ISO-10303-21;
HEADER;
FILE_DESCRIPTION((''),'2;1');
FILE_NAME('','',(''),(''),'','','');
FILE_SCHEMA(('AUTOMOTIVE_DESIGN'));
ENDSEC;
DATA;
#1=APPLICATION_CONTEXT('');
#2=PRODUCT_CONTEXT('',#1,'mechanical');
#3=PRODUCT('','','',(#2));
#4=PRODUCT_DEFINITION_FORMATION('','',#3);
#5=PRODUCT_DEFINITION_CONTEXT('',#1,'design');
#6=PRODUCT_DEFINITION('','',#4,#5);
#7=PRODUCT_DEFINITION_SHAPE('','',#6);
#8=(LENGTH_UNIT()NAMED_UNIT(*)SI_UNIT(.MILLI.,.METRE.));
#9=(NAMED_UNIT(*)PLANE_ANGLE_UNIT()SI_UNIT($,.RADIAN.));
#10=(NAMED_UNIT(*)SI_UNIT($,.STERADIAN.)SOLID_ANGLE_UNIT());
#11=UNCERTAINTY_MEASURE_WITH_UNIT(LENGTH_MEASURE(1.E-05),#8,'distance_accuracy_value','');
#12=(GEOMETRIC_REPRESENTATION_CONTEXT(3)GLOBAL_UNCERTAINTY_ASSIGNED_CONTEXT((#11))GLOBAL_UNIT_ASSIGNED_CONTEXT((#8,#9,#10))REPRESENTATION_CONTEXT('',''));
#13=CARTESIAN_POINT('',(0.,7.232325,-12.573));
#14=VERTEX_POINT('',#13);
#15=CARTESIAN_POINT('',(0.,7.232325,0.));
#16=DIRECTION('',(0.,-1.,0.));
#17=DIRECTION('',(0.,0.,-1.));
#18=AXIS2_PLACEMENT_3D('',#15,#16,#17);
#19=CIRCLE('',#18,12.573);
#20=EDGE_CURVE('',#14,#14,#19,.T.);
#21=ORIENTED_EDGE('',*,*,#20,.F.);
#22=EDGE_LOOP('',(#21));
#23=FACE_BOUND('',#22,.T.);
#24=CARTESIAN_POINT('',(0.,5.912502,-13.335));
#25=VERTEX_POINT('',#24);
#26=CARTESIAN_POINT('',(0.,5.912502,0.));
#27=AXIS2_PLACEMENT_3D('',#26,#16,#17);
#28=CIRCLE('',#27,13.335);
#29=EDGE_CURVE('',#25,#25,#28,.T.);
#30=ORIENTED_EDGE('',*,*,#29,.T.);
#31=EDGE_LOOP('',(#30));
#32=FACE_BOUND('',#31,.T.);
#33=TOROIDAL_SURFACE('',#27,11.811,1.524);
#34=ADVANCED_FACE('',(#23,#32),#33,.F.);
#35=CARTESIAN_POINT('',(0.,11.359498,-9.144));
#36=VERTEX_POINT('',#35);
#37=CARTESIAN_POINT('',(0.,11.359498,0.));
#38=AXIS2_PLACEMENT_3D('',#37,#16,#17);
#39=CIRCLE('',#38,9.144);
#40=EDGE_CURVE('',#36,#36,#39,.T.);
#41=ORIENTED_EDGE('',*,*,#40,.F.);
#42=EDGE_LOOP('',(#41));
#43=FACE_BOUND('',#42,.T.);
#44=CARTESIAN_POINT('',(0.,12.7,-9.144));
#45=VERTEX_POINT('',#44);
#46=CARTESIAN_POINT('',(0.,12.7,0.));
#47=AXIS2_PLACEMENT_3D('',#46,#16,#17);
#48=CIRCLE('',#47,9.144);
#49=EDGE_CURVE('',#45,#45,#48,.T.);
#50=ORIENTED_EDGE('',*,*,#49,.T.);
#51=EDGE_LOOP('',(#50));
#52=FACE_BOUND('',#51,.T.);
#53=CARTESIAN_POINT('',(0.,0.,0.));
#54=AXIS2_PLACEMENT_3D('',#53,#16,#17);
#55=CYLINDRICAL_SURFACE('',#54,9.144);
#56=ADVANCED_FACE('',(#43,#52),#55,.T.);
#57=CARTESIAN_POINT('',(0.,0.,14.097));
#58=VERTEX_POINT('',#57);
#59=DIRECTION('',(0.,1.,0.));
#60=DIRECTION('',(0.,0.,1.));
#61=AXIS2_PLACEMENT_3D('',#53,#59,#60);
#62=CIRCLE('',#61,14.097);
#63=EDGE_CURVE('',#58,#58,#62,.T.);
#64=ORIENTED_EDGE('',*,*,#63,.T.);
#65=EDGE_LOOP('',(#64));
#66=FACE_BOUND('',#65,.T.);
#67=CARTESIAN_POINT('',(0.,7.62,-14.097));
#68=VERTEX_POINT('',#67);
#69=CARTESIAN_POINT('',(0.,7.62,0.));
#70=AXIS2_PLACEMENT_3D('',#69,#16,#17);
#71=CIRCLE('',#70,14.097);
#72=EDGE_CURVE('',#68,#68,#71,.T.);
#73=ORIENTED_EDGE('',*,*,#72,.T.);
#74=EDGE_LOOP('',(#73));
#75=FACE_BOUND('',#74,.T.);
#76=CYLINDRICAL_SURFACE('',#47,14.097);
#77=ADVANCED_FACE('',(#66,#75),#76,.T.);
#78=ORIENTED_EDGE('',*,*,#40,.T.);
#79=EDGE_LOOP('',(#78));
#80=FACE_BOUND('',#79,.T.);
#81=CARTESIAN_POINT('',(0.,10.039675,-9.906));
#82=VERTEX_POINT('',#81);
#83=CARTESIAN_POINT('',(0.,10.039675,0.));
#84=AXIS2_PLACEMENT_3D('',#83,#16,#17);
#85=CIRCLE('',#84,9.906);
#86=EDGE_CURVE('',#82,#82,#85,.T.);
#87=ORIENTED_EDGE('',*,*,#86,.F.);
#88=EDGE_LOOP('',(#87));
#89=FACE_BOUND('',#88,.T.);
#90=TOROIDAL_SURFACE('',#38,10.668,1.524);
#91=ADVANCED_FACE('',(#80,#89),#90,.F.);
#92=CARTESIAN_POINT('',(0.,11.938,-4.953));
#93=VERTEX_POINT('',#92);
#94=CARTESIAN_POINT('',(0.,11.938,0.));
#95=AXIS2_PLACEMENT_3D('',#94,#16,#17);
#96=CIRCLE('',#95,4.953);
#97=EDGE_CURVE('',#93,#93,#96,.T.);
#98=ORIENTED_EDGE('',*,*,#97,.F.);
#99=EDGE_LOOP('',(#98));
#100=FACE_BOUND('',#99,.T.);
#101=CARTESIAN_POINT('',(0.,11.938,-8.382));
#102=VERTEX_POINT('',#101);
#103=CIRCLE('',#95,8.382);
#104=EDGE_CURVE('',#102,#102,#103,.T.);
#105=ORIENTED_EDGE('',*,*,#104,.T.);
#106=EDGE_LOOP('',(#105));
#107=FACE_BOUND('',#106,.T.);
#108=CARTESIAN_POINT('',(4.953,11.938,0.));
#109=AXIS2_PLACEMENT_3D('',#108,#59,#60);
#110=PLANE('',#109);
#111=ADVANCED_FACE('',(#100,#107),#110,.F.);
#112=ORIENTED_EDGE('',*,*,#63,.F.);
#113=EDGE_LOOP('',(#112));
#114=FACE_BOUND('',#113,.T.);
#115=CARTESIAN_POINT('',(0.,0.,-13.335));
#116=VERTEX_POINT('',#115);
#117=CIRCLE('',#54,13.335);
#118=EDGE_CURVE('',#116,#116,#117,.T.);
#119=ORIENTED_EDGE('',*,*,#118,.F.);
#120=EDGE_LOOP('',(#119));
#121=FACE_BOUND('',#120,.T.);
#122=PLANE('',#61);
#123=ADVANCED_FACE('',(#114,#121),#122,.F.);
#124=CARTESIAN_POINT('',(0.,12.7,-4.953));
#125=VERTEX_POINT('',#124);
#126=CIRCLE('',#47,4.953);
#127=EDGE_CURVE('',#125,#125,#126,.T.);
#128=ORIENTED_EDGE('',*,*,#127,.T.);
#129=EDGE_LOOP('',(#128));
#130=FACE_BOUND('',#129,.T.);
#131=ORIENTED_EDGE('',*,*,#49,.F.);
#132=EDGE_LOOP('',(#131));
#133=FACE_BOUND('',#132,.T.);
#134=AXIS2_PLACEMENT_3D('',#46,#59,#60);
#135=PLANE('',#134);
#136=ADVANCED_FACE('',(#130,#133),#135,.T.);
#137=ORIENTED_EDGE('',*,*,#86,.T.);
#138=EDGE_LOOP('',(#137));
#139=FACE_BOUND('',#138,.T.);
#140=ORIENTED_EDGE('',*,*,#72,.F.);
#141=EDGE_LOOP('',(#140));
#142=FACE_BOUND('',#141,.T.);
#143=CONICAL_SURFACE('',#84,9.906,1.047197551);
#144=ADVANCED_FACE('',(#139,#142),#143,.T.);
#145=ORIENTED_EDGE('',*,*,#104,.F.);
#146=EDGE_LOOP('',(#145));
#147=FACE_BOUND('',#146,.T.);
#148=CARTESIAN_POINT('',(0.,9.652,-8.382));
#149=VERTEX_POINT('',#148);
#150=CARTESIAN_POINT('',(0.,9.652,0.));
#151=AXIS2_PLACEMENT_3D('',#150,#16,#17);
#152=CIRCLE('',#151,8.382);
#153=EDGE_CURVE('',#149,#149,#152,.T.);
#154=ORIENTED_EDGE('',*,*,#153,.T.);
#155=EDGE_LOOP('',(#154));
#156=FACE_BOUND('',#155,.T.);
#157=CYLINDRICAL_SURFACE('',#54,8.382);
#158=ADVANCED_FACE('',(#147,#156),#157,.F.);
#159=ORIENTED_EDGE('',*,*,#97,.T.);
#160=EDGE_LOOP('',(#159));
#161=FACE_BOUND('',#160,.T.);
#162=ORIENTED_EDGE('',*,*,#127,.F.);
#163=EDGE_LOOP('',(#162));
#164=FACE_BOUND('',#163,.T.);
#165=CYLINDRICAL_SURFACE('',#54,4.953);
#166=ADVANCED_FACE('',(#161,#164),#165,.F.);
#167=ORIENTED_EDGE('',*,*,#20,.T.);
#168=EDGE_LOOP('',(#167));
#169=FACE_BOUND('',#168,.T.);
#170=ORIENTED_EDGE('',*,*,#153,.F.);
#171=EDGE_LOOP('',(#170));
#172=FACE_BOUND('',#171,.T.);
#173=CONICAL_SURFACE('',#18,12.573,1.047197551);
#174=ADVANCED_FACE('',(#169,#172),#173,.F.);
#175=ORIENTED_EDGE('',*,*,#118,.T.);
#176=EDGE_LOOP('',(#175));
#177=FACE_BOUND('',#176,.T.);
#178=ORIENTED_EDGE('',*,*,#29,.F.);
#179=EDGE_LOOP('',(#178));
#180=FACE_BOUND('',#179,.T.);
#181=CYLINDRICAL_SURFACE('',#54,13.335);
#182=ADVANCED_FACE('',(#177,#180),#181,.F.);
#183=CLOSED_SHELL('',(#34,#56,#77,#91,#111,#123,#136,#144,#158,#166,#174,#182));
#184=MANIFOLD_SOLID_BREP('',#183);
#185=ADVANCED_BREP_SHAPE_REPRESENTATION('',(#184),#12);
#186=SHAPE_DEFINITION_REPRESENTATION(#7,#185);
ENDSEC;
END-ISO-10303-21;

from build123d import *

# Parameters (mm, degrees)
SKETCH1_R           = 14.097
BOSS_EXTRUDE1_DEPTH = 12.7


with BuildPart() as part:
    # Sketch1 → Boss-Extrude1 (new body)
    with BuildSketch(Plane(origin=(0, 0, 0), x_dir=(1, 0, 0), z_dir=(0, 1, 0))):
        with Locations(Location((0, 0, 0), (0, 0, 270))):  # turned: the seam where the file's is
            Circle(SKETCH1_R)
    extrude(amount=BOSS_EXTRUDE1_DEPTH)

    # Sketch2 → Cut-Revolve1 (revolve, cut)
    with BuildSketch(Plane.XY, mode=Mode.PRIVATE) as cut_revolve1_sk:
        with BuildLine():
            Line((4.953, 12.7), (4.953, 11.938))
            Line((4.953, 11.938), (8.382, 11.938))
            Line((8.382, 11.938), (8.382, 9.652))
            Line((8.382, 9.652), (12.573, 7.232325022))
            ThreePointArc((12.573, 7.232325022), (13.130822715, 6.674502306), (13.335, 5.912502306))
            Line((13.335, 5.912502306), (13.335, 0))
            Line((13.335, 0), (0, 0))
            Line((0, 0), (0, 12.7))
            Line((0, 12.7), (4.953, 12.7))
        make_face()
    revolve(cut_revolve1_sk.sketch.rotate(Axis((0, 0, 0), (0, 1, 0)), 90), axis=Axis((0, 0, 0), (0, 1, 0)), mode=Mode.SUBTRACT)  # turned: the seam where the file's is

    # Sketch3 → Cut-Revolve2 (revolve, cut)
    with BuildSketch(Plane.XY, mode=Mode.PRIVATE) as cut_revolve2_sk:
        with BuildLine():
            Line((14.097, 12.7), (14.097, 7.62))
            Line((14.097, 7.62), (9.906, 10.039674978))
            ThreePointArc((9.906, 10.039674978), (9.348177285, 10.597497694), (9.144, 11.359497694))
            Line((9.144, 11.359497694), (9.144, 12.7))
            Line((9.144, 12.7), (14.097, 12.7))
        make_face()
    revolve(cut_revolve2_sk.sketch.rotate(Axis((0, 0, 0), (0, 1, 0)), 90), axis=Axis((0, 0, 0), (0, 1, 0)), mode=Mode.SUBTRACT)  # turned: the seam where the file's is


solid = part.part
